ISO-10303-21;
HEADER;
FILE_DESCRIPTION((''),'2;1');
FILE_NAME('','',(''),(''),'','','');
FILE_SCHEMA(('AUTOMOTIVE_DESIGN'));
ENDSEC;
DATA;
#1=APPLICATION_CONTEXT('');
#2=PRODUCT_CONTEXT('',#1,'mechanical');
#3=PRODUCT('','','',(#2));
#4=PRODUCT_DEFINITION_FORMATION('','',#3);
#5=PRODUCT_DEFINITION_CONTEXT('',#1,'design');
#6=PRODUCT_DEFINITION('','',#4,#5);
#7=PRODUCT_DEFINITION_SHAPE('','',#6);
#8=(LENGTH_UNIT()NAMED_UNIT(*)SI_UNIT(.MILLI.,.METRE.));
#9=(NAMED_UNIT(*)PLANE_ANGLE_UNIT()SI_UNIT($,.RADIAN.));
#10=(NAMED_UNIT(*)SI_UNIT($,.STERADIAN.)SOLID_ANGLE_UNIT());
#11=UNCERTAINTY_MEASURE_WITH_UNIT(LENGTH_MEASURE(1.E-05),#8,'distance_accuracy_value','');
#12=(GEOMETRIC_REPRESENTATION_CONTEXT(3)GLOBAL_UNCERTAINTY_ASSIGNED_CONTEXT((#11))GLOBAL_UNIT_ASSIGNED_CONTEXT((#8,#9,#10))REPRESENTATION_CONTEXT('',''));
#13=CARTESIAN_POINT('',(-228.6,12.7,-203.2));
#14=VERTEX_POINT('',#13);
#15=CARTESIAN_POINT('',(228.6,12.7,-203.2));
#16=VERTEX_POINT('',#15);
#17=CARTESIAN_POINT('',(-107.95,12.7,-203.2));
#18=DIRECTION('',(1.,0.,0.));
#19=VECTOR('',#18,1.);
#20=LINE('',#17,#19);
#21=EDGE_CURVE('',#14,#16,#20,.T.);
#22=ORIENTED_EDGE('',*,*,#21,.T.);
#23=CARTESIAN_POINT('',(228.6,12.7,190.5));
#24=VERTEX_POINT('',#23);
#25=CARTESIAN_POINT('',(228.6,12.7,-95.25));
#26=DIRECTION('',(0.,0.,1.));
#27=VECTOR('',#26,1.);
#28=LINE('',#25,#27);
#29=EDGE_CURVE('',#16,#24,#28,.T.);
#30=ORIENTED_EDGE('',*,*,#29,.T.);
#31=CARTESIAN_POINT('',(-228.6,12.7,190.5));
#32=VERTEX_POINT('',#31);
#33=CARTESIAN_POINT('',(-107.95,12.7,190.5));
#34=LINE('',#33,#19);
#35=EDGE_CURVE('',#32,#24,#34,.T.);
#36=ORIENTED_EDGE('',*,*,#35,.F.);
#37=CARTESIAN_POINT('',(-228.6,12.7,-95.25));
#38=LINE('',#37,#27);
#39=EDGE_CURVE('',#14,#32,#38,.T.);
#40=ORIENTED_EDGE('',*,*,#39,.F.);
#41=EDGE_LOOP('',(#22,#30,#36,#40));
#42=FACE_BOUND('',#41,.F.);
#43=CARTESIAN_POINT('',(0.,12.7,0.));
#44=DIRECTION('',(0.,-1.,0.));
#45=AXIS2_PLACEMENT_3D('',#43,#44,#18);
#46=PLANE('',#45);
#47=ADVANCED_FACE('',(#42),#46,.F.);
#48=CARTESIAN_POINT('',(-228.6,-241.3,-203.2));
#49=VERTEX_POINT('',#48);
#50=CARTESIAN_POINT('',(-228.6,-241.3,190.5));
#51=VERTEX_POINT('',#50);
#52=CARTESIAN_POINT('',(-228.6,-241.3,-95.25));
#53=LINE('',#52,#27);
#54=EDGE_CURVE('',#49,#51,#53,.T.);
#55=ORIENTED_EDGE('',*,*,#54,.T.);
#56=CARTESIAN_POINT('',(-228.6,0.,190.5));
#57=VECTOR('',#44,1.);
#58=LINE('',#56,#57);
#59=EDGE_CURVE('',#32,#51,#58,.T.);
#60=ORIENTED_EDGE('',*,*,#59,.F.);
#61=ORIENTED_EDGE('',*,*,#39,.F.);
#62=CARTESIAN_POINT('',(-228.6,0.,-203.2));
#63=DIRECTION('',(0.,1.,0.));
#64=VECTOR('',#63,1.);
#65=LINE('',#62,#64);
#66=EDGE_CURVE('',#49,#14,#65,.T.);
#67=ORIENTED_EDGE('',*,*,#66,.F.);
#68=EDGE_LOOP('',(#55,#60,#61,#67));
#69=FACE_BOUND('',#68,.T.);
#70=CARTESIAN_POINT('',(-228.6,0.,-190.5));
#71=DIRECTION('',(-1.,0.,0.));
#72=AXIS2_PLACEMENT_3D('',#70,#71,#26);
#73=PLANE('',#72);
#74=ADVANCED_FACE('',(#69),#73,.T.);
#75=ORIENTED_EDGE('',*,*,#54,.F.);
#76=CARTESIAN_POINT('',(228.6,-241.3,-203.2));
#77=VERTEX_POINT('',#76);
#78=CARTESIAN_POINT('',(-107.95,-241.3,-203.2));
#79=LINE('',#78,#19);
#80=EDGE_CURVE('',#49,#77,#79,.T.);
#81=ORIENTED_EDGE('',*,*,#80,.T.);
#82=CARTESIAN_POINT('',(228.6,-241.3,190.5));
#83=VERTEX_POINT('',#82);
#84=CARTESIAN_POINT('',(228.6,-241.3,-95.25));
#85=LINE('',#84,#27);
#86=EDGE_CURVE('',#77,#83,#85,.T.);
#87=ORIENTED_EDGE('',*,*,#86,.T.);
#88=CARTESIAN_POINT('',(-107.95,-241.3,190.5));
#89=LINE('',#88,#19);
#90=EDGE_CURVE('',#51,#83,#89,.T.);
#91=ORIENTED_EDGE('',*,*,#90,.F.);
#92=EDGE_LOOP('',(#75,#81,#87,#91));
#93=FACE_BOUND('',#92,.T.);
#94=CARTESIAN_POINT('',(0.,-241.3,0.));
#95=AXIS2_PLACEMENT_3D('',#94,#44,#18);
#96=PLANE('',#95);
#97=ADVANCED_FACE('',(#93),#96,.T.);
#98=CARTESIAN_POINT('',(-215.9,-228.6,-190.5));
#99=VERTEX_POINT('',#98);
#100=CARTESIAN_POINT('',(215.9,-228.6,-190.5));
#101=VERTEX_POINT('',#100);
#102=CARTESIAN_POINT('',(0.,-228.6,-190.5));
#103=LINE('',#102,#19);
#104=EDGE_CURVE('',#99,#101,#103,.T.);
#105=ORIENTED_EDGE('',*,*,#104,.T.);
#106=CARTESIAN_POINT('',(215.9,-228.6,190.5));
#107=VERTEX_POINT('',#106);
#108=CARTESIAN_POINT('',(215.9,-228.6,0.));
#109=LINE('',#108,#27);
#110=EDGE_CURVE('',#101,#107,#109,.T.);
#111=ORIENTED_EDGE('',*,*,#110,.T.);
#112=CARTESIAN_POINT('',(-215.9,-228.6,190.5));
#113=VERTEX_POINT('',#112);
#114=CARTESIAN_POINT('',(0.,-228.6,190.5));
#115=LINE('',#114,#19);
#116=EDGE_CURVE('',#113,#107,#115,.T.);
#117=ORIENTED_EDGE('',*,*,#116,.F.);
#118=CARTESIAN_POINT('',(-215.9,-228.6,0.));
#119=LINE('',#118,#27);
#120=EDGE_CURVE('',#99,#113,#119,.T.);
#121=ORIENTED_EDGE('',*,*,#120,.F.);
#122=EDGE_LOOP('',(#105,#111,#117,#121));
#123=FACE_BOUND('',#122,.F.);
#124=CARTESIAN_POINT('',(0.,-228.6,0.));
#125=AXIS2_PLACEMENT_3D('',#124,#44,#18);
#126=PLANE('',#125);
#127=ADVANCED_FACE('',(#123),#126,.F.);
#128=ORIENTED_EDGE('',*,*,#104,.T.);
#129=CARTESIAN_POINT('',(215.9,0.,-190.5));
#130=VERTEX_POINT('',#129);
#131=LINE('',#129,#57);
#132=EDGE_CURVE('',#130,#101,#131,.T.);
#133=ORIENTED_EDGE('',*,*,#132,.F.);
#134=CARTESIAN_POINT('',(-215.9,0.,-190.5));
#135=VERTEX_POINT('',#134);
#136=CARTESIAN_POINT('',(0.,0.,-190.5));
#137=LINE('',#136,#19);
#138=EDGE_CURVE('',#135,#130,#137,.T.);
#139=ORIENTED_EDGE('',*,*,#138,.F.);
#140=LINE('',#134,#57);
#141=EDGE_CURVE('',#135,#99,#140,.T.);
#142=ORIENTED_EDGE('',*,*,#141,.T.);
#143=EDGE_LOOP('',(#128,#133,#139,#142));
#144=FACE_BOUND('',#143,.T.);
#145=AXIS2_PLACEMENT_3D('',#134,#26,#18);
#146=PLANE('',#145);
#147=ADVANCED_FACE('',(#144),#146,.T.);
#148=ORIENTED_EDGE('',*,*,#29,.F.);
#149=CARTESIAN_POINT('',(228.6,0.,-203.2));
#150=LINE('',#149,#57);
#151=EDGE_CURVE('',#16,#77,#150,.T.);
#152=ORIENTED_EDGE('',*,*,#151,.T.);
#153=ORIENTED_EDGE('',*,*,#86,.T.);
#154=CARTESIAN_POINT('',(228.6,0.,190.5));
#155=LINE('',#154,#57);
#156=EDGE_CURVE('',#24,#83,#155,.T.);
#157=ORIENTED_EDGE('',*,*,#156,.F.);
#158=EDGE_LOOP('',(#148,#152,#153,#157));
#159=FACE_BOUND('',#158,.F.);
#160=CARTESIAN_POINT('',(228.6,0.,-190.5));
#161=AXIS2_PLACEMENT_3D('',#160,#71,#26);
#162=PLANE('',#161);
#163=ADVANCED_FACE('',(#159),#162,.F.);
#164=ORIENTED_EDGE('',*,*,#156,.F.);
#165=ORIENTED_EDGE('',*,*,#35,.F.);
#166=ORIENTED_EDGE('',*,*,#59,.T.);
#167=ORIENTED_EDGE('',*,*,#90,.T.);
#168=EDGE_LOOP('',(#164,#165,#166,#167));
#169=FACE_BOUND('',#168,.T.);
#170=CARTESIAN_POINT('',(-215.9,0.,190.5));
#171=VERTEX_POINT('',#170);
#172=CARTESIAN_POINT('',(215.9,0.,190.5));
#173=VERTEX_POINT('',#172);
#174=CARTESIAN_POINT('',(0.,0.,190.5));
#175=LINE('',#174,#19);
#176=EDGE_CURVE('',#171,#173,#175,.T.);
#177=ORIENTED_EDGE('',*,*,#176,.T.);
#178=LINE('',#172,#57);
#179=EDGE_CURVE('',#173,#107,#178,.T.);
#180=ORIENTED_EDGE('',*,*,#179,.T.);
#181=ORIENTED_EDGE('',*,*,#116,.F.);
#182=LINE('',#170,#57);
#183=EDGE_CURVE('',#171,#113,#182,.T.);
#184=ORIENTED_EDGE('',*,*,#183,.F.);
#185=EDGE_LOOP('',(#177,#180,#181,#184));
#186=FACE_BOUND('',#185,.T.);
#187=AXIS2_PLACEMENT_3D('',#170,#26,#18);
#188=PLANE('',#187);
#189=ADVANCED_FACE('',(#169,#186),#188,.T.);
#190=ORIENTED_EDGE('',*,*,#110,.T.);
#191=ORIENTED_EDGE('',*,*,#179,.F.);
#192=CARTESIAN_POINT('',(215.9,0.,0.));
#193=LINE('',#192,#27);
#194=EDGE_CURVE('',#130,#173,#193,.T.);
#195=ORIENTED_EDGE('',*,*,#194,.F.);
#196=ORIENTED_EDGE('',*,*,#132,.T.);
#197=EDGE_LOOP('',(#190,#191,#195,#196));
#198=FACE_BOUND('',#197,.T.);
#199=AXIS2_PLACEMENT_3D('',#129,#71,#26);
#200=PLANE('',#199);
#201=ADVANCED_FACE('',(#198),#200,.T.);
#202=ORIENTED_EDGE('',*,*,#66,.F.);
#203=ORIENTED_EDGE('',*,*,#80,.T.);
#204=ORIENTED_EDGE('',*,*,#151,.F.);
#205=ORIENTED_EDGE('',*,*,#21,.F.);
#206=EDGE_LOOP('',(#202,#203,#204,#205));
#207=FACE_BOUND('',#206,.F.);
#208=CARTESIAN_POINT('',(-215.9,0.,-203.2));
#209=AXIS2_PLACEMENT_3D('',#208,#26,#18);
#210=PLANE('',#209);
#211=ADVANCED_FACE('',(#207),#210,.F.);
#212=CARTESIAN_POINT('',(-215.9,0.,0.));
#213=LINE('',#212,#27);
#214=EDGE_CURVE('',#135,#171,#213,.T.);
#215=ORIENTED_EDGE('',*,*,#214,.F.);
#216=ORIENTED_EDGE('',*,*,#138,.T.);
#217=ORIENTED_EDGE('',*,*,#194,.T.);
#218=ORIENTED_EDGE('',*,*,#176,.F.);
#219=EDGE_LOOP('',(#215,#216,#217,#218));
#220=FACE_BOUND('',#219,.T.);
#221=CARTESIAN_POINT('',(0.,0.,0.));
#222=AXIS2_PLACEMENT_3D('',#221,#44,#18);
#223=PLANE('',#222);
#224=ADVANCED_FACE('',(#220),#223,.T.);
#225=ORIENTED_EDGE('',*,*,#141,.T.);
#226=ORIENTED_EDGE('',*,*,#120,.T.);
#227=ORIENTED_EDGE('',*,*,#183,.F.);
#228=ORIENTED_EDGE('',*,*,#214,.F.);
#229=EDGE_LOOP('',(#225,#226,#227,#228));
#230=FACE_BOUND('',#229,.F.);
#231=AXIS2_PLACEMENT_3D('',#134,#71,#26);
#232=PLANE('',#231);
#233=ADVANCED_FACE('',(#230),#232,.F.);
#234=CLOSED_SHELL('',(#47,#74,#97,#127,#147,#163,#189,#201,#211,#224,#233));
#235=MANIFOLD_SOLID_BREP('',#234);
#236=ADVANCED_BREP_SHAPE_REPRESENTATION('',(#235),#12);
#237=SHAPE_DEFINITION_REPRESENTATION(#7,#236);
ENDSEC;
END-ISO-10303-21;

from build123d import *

# Parameters (mm, degrees)
F0_W     = 431.8
F0_H     = 381
F1_DEPTH = 228.6
F2_T     = 12.7


with BuildPart() as f1:
    # F0 (on Front) → F1 (new body)
    with BuildSketch(Plane.XZ):
        Rectangle(F0_W, F0_H)
    extrude(amount=F1_DEPTH)

    # F2
    f2_openings = [f1.faces().sort_by_distance(p)[0] for p in [
        (0, -114.3, 190.5),
    ]]
    offset(amount=F2_T, openings=f2_openings, kind=Kind.INTERSECTION)


solid = f1.part
